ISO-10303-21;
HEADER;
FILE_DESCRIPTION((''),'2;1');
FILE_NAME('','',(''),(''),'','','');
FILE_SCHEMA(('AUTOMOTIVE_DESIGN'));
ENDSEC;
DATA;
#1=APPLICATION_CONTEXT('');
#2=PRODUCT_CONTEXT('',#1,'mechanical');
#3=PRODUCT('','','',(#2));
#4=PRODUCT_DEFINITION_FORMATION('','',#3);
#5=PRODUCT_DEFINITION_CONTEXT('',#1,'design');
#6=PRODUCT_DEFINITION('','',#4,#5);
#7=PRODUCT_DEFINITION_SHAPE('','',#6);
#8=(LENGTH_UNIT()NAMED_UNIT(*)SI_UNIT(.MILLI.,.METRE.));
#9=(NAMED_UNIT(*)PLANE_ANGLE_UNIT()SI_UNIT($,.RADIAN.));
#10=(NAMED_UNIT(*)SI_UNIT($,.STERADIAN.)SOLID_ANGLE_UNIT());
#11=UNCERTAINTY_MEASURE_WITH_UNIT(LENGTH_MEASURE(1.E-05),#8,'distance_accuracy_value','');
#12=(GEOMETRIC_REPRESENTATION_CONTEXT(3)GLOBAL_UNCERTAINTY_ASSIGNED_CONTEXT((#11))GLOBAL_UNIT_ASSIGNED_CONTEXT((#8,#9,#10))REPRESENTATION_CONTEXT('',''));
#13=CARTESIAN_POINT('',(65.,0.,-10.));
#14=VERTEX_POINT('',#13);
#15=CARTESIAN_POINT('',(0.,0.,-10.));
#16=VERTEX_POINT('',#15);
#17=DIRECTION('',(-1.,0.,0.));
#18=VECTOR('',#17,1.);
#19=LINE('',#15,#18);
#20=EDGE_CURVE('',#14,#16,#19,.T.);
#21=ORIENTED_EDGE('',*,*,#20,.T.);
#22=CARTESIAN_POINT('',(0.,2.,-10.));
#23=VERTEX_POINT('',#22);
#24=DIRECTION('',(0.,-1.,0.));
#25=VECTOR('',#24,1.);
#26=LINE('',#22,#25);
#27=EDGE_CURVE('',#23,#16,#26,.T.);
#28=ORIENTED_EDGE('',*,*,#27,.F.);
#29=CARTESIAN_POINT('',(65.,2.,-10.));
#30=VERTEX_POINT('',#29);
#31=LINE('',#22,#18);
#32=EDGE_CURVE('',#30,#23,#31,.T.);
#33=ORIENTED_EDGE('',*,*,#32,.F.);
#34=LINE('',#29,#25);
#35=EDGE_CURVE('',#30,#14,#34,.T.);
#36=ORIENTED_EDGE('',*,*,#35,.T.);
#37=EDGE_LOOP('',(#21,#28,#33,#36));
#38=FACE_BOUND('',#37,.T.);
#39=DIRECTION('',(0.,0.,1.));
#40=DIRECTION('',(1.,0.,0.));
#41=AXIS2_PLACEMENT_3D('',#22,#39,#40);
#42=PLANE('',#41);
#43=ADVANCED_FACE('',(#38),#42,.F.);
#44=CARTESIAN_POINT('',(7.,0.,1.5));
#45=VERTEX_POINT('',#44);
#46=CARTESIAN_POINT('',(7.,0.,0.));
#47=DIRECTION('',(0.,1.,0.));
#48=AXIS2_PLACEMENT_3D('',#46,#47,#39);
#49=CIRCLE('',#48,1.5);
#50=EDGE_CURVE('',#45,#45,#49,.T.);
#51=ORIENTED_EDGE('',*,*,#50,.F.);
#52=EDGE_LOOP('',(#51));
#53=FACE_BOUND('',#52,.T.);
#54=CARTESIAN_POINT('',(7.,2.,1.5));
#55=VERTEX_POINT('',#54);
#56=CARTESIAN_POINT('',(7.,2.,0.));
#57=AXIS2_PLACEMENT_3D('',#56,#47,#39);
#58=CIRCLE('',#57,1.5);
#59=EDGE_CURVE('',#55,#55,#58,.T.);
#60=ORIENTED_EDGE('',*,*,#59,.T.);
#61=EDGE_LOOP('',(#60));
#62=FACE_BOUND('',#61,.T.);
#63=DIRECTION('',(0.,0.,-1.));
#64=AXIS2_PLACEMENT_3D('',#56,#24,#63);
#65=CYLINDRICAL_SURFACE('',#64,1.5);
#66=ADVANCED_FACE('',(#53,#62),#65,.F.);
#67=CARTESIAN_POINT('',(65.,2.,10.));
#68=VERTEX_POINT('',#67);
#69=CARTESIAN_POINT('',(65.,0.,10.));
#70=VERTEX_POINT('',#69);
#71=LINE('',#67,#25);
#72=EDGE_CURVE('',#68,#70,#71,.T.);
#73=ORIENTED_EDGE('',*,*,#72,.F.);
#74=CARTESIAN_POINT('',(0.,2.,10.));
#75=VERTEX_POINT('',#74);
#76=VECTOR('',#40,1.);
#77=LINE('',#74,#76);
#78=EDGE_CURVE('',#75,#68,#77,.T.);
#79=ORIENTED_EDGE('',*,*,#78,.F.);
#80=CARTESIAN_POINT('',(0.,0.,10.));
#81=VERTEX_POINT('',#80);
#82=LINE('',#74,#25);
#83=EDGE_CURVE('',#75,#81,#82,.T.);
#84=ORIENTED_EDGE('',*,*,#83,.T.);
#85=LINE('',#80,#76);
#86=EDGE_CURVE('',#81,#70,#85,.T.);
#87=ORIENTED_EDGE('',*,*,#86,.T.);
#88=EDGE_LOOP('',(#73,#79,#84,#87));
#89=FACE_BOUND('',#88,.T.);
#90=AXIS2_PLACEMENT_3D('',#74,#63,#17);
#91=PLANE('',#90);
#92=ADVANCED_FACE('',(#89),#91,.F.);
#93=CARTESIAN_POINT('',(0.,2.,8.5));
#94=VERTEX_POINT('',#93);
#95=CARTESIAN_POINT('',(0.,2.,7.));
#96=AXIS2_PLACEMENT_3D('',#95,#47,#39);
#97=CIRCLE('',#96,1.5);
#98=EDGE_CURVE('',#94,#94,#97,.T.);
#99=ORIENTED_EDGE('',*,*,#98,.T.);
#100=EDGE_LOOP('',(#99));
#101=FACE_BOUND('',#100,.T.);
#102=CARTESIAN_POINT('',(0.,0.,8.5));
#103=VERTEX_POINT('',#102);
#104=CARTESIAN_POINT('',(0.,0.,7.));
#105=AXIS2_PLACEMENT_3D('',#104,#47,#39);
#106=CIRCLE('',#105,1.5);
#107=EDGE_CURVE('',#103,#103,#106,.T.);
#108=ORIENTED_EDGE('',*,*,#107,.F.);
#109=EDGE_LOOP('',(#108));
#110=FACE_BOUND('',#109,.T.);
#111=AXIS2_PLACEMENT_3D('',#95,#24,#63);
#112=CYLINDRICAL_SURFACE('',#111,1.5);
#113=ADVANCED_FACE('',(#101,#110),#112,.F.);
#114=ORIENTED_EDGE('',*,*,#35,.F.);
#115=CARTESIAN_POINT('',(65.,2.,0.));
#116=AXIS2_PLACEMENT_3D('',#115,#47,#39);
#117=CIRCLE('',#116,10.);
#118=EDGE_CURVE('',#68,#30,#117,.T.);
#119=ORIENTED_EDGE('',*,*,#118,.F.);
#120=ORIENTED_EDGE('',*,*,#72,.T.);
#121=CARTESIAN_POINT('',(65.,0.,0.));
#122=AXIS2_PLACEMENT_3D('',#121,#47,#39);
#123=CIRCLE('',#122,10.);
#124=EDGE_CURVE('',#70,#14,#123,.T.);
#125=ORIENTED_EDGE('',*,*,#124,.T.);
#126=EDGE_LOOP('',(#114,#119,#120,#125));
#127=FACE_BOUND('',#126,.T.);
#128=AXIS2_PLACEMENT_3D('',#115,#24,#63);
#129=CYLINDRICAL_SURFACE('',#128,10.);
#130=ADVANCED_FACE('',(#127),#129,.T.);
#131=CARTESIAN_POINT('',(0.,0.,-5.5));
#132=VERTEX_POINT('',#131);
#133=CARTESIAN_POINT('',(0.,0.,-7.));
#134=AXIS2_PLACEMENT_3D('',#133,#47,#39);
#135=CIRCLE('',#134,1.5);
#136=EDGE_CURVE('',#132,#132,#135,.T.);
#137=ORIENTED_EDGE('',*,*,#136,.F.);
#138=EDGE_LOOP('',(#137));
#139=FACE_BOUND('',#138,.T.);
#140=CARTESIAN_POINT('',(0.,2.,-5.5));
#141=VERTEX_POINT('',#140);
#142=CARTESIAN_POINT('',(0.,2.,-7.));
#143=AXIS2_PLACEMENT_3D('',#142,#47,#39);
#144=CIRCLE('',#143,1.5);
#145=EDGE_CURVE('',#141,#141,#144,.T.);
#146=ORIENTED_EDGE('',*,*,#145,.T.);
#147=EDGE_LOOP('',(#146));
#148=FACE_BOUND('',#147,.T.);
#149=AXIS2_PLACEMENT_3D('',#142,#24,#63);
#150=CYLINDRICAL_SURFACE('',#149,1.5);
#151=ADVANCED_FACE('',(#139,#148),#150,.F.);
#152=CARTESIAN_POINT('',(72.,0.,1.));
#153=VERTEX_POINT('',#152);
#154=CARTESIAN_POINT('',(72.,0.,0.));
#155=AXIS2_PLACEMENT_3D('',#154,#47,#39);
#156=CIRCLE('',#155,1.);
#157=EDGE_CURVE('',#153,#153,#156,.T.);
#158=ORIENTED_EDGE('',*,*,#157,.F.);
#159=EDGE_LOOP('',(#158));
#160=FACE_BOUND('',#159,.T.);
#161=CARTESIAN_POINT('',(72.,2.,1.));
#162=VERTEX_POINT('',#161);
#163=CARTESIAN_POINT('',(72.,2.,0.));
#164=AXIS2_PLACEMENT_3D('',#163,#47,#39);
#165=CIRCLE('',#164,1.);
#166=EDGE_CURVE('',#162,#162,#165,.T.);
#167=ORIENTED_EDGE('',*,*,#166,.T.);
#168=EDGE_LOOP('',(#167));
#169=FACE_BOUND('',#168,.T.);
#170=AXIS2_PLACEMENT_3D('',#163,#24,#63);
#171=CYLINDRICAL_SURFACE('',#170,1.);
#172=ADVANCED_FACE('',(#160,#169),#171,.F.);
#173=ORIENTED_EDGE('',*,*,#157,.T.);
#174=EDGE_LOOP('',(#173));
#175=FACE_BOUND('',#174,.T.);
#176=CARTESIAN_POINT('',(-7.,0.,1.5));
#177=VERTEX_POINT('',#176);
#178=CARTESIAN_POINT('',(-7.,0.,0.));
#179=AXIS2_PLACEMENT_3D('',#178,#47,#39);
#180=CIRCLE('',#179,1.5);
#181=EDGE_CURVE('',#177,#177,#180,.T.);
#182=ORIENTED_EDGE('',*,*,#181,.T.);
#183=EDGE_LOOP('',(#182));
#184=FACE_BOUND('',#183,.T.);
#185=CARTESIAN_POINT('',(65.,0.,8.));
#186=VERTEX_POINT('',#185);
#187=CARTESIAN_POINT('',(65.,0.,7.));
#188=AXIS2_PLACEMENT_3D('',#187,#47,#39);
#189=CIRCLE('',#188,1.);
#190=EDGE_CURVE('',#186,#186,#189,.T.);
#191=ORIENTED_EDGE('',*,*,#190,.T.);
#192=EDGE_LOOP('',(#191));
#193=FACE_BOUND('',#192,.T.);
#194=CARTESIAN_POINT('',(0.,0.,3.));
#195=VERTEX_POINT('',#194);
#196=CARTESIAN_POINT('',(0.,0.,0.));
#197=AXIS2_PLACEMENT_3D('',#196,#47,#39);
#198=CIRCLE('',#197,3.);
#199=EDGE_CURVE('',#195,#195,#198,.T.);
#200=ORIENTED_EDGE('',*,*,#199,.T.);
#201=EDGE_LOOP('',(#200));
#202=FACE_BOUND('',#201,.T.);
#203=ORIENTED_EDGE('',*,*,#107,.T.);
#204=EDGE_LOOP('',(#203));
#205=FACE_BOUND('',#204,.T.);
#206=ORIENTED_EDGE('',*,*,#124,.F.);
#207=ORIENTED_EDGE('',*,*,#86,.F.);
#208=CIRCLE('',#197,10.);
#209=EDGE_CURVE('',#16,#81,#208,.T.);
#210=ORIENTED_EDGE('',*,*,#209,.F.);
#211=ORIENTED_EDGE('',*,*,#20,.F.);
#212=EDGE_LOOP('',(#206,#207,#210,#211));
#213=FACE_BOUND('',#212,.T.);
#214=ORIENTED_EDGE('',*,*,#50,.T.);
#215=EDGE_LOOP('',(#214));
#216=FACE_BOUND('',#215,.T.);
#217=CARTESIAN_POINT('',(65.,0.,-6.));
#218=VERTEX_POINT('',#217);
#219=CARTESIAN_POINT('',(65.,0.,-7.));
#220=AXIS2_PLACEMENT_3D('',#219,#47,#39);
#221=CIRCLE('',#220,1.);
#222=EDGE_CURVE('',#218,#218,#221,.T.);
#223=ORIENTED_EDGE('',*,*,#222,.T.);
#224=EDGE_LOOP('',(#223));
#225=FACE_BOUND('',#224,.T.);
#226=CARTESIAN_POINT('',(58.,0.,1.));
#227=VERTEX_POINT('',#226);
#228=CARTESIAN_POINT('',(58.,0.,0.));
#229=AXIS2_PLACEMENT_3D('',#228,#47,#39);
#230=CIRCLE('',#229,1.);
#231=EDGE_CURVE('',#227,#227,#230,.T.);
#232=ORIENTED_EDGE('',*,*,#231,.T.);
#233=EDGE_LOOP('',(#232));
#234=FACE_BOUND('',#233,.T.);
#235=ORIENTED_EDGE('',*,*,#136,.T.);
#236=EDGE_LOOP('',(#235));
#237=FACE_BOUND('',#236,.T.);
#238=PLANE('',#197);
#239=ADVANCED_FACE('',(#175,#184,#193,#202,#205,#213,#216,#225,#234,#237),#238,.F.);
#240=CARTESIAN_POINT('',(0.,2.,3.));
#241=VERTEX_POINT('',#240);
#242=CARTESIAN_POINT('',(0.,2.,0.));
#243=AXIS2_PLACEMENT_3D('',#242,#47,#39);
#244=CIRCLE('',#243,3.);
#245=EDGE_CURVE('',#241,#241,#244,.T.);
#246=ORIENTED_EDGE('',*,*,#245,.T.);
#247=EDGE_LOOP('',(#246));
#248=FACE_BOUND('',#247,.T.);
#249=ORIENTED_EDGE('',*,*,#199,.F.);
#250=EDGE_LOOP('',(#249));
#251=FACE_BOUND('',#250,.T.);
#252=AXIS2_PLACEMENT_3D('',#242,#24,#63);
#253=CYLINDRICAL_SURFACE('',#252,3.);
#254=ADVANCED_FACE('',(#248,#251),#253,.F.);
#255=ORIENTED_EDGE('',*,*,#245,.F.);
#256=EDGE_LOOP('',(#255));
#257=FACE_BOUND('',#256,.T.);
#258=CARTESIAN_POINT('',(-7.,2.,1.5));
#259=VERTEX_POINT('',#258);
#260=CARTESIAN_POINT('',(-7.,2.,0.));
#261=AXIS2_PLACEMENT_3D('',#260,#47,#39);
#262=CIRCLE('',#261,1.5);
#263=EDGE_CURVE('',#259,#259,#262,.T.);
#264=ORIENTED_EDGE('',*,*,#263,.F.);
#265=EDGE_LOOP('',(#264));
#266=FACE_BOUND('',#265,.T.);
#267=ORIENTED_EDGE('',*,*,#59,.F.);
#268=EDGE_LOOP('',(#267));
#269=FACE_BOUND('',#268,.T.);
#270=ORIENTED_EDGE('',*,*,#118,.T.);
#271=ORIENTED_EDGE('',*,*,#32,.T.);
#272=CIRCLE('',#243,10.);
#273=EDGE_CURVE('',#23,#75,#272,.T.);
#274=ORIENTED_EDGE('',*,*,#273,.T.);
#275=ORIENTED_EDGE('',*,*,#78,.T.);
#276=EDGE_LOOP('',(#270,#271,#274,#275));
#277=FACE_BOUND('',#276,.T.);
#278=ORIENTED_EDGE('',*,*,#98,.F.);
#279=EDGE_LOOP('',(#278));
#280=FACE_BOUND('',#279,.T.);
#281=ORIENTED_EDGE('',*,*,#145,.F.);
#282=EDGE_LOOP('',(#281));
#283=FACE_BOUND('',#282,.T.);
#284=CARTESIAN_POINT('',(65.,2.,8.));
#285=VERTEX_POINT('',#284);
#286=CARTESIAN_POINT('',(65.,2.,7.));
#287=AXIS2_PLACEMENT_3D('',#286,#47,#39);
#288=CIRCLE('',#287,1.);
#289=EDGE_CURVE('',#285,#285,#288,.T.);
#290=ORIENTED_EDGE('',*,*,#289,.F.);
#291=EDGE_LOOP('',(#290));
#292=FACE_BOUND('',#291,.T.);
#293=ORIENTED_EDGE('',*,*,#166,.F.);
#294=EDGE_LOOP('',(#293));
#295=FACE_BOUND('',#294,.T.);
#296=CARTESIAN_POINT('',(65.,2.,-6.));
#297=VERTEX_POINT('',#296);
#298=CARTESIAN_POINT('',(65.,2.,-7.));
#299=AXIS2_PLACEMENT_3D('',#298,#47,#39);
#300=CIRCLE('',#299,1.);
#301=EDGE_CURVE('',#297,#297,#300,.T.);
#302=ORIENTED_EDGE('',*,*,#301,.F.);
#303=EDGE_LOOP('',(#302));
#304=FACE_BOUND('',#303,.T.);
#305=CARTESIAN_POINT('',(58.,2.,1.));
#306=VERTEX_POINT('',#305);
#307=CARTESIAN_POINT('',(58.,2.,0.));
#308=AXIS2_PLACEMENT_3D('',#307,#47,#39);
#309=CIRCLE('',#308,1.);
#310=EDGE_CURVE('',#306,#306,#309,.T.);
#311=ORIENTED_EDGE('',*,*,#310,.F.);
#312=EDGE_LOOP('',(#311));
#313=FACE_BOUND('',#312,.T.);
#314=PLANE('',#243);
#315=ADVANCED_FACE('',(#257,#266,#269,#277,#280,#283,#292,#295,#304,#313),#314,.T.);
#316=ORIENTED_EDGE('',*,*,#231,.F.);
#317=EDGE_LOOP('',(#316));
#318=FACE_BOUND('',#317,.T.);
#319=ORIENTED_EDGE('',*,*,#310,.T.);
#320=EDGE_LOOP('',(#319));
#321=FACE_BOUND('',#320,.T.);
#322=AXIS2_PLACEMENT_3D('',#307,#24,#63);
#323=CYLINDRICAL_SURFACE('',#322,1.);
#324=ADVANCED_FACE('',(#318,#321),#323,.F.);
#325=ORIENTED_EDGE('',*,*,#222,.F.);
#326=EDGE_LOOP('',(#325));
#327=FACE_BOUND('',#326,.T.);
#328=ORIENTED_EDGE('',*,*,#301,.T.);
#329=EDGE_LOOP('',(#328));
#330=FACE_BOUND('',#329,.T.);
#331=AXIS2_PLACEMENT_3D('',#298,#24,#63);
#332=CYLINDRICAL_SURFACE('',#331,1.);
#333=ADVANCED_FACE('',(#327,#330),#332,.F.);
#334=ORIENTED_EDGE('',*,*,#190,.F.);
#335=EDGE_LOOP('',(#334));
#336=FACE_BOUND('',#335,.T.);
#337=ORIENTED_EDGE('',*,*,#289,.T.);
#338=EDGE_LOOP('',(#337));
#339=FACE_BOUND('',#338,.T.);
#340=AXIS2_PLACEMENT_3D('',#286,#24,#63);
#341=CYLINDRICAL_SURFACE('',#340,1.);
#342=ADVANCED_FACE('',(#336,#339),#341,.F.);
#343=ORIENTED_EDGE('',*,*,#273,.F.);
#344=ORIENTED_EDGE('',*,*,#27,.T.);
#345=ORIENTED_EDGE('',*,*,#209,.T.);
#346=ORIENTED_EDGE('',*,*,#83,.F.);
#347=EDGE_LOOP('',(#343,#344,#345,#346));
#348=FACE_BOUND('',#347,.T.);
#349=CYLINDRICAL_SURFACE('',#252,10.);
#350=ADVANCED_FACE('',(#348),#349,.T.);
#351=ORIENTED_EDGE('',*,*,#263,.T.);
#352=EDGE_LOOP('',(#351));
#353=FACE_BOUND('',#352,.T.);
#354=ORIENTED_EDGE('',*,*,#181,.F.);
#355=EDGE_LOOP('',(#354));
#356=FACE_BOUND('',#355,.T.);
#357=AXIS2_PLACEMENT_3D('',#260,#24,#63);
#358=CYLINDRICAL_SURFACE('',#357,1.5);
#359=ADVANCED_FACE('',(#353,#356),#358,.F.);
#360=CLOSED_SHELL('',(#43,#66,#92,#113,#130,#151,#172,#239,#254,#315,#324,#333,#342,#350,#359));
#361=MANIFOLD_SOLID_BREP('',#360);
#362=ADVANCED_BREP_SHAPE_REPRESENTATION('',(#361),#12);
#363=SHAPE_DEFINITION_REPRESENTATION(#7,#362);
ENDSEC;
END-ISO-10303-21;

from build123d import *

# Parameters (mm, degrees)
SKETCH_1_R      = 1.5
SKETCH_1_R_2    = 1
SKETCH_1_R_3    = 3
EXTRUDE_1_DEPTH = 2


with BuildPart() as part:
    # Эскиз1 → Бобышка-Вытянуть1 (new body)
    with BuildSketch(Plane(origin=(0, 0, 0), x_dir=(1, 0, 0), z_dir=(0, 1, 0))):
        with BuildLine():
            Line((0, 10), (65, 10))
            ThreePointArc((65, 10), (75, 0), (65, -10))
            Line((65, -10), (0, -10))
            ThreePointArc((0, -10), (-10, 0), (0, 10))
        make_face()
        with Locations(Location((0, 7, 0), (0, 0, 270))):
            Circle(SKETCH_1_R, mode=Mode.SUBTRACT)
        with Locations(Location((7, 0, 0), (0, 0, 270))):
            Circle(SKETCH_1_R, mode=Mode.SUBTRACT)
        with Locations(Location((0, -7, 0), (0, 0, 270))):
            Circle(SKETCH_1_R, mode=Mode.SUBTRACT)
        with Locations(Location((-7, 0, 0), (0, 0, 270))):
            Circle(SKETCH_1_R, mode=Mode.SUBTRACT)
        with Locations(Location((65, 7, 0), (0, 0, 270))):
            Circle(SKETCH_1_R_2, mode=Mode.SUBTRACT)
        with Locations(Location((72, 0, 0), (0, 0, 270))):
            Circle(SKETCH_1_R_2, mode=Mode.SUBTRACT)
        with Locations(Location((65, -7, 0), (0, 0, 270))):
            Circle(SKETCH_1_R_2, mode=Mode.SUBTRACT)
        with Locations(Location((58, 0, 0), (0, 0, 270))):
            Circle(SKETCH_1_R_2, mode=Mode.SUBTRACT)
        with Locations(Location((0, 0, 0), (0, 0, 270))):
            Circle(SKETCH_1_R_3, mode=Mode.SUBTRACT)
    extrude(amount=EXTRUDE_1_DEPTH)


solid = part.part
